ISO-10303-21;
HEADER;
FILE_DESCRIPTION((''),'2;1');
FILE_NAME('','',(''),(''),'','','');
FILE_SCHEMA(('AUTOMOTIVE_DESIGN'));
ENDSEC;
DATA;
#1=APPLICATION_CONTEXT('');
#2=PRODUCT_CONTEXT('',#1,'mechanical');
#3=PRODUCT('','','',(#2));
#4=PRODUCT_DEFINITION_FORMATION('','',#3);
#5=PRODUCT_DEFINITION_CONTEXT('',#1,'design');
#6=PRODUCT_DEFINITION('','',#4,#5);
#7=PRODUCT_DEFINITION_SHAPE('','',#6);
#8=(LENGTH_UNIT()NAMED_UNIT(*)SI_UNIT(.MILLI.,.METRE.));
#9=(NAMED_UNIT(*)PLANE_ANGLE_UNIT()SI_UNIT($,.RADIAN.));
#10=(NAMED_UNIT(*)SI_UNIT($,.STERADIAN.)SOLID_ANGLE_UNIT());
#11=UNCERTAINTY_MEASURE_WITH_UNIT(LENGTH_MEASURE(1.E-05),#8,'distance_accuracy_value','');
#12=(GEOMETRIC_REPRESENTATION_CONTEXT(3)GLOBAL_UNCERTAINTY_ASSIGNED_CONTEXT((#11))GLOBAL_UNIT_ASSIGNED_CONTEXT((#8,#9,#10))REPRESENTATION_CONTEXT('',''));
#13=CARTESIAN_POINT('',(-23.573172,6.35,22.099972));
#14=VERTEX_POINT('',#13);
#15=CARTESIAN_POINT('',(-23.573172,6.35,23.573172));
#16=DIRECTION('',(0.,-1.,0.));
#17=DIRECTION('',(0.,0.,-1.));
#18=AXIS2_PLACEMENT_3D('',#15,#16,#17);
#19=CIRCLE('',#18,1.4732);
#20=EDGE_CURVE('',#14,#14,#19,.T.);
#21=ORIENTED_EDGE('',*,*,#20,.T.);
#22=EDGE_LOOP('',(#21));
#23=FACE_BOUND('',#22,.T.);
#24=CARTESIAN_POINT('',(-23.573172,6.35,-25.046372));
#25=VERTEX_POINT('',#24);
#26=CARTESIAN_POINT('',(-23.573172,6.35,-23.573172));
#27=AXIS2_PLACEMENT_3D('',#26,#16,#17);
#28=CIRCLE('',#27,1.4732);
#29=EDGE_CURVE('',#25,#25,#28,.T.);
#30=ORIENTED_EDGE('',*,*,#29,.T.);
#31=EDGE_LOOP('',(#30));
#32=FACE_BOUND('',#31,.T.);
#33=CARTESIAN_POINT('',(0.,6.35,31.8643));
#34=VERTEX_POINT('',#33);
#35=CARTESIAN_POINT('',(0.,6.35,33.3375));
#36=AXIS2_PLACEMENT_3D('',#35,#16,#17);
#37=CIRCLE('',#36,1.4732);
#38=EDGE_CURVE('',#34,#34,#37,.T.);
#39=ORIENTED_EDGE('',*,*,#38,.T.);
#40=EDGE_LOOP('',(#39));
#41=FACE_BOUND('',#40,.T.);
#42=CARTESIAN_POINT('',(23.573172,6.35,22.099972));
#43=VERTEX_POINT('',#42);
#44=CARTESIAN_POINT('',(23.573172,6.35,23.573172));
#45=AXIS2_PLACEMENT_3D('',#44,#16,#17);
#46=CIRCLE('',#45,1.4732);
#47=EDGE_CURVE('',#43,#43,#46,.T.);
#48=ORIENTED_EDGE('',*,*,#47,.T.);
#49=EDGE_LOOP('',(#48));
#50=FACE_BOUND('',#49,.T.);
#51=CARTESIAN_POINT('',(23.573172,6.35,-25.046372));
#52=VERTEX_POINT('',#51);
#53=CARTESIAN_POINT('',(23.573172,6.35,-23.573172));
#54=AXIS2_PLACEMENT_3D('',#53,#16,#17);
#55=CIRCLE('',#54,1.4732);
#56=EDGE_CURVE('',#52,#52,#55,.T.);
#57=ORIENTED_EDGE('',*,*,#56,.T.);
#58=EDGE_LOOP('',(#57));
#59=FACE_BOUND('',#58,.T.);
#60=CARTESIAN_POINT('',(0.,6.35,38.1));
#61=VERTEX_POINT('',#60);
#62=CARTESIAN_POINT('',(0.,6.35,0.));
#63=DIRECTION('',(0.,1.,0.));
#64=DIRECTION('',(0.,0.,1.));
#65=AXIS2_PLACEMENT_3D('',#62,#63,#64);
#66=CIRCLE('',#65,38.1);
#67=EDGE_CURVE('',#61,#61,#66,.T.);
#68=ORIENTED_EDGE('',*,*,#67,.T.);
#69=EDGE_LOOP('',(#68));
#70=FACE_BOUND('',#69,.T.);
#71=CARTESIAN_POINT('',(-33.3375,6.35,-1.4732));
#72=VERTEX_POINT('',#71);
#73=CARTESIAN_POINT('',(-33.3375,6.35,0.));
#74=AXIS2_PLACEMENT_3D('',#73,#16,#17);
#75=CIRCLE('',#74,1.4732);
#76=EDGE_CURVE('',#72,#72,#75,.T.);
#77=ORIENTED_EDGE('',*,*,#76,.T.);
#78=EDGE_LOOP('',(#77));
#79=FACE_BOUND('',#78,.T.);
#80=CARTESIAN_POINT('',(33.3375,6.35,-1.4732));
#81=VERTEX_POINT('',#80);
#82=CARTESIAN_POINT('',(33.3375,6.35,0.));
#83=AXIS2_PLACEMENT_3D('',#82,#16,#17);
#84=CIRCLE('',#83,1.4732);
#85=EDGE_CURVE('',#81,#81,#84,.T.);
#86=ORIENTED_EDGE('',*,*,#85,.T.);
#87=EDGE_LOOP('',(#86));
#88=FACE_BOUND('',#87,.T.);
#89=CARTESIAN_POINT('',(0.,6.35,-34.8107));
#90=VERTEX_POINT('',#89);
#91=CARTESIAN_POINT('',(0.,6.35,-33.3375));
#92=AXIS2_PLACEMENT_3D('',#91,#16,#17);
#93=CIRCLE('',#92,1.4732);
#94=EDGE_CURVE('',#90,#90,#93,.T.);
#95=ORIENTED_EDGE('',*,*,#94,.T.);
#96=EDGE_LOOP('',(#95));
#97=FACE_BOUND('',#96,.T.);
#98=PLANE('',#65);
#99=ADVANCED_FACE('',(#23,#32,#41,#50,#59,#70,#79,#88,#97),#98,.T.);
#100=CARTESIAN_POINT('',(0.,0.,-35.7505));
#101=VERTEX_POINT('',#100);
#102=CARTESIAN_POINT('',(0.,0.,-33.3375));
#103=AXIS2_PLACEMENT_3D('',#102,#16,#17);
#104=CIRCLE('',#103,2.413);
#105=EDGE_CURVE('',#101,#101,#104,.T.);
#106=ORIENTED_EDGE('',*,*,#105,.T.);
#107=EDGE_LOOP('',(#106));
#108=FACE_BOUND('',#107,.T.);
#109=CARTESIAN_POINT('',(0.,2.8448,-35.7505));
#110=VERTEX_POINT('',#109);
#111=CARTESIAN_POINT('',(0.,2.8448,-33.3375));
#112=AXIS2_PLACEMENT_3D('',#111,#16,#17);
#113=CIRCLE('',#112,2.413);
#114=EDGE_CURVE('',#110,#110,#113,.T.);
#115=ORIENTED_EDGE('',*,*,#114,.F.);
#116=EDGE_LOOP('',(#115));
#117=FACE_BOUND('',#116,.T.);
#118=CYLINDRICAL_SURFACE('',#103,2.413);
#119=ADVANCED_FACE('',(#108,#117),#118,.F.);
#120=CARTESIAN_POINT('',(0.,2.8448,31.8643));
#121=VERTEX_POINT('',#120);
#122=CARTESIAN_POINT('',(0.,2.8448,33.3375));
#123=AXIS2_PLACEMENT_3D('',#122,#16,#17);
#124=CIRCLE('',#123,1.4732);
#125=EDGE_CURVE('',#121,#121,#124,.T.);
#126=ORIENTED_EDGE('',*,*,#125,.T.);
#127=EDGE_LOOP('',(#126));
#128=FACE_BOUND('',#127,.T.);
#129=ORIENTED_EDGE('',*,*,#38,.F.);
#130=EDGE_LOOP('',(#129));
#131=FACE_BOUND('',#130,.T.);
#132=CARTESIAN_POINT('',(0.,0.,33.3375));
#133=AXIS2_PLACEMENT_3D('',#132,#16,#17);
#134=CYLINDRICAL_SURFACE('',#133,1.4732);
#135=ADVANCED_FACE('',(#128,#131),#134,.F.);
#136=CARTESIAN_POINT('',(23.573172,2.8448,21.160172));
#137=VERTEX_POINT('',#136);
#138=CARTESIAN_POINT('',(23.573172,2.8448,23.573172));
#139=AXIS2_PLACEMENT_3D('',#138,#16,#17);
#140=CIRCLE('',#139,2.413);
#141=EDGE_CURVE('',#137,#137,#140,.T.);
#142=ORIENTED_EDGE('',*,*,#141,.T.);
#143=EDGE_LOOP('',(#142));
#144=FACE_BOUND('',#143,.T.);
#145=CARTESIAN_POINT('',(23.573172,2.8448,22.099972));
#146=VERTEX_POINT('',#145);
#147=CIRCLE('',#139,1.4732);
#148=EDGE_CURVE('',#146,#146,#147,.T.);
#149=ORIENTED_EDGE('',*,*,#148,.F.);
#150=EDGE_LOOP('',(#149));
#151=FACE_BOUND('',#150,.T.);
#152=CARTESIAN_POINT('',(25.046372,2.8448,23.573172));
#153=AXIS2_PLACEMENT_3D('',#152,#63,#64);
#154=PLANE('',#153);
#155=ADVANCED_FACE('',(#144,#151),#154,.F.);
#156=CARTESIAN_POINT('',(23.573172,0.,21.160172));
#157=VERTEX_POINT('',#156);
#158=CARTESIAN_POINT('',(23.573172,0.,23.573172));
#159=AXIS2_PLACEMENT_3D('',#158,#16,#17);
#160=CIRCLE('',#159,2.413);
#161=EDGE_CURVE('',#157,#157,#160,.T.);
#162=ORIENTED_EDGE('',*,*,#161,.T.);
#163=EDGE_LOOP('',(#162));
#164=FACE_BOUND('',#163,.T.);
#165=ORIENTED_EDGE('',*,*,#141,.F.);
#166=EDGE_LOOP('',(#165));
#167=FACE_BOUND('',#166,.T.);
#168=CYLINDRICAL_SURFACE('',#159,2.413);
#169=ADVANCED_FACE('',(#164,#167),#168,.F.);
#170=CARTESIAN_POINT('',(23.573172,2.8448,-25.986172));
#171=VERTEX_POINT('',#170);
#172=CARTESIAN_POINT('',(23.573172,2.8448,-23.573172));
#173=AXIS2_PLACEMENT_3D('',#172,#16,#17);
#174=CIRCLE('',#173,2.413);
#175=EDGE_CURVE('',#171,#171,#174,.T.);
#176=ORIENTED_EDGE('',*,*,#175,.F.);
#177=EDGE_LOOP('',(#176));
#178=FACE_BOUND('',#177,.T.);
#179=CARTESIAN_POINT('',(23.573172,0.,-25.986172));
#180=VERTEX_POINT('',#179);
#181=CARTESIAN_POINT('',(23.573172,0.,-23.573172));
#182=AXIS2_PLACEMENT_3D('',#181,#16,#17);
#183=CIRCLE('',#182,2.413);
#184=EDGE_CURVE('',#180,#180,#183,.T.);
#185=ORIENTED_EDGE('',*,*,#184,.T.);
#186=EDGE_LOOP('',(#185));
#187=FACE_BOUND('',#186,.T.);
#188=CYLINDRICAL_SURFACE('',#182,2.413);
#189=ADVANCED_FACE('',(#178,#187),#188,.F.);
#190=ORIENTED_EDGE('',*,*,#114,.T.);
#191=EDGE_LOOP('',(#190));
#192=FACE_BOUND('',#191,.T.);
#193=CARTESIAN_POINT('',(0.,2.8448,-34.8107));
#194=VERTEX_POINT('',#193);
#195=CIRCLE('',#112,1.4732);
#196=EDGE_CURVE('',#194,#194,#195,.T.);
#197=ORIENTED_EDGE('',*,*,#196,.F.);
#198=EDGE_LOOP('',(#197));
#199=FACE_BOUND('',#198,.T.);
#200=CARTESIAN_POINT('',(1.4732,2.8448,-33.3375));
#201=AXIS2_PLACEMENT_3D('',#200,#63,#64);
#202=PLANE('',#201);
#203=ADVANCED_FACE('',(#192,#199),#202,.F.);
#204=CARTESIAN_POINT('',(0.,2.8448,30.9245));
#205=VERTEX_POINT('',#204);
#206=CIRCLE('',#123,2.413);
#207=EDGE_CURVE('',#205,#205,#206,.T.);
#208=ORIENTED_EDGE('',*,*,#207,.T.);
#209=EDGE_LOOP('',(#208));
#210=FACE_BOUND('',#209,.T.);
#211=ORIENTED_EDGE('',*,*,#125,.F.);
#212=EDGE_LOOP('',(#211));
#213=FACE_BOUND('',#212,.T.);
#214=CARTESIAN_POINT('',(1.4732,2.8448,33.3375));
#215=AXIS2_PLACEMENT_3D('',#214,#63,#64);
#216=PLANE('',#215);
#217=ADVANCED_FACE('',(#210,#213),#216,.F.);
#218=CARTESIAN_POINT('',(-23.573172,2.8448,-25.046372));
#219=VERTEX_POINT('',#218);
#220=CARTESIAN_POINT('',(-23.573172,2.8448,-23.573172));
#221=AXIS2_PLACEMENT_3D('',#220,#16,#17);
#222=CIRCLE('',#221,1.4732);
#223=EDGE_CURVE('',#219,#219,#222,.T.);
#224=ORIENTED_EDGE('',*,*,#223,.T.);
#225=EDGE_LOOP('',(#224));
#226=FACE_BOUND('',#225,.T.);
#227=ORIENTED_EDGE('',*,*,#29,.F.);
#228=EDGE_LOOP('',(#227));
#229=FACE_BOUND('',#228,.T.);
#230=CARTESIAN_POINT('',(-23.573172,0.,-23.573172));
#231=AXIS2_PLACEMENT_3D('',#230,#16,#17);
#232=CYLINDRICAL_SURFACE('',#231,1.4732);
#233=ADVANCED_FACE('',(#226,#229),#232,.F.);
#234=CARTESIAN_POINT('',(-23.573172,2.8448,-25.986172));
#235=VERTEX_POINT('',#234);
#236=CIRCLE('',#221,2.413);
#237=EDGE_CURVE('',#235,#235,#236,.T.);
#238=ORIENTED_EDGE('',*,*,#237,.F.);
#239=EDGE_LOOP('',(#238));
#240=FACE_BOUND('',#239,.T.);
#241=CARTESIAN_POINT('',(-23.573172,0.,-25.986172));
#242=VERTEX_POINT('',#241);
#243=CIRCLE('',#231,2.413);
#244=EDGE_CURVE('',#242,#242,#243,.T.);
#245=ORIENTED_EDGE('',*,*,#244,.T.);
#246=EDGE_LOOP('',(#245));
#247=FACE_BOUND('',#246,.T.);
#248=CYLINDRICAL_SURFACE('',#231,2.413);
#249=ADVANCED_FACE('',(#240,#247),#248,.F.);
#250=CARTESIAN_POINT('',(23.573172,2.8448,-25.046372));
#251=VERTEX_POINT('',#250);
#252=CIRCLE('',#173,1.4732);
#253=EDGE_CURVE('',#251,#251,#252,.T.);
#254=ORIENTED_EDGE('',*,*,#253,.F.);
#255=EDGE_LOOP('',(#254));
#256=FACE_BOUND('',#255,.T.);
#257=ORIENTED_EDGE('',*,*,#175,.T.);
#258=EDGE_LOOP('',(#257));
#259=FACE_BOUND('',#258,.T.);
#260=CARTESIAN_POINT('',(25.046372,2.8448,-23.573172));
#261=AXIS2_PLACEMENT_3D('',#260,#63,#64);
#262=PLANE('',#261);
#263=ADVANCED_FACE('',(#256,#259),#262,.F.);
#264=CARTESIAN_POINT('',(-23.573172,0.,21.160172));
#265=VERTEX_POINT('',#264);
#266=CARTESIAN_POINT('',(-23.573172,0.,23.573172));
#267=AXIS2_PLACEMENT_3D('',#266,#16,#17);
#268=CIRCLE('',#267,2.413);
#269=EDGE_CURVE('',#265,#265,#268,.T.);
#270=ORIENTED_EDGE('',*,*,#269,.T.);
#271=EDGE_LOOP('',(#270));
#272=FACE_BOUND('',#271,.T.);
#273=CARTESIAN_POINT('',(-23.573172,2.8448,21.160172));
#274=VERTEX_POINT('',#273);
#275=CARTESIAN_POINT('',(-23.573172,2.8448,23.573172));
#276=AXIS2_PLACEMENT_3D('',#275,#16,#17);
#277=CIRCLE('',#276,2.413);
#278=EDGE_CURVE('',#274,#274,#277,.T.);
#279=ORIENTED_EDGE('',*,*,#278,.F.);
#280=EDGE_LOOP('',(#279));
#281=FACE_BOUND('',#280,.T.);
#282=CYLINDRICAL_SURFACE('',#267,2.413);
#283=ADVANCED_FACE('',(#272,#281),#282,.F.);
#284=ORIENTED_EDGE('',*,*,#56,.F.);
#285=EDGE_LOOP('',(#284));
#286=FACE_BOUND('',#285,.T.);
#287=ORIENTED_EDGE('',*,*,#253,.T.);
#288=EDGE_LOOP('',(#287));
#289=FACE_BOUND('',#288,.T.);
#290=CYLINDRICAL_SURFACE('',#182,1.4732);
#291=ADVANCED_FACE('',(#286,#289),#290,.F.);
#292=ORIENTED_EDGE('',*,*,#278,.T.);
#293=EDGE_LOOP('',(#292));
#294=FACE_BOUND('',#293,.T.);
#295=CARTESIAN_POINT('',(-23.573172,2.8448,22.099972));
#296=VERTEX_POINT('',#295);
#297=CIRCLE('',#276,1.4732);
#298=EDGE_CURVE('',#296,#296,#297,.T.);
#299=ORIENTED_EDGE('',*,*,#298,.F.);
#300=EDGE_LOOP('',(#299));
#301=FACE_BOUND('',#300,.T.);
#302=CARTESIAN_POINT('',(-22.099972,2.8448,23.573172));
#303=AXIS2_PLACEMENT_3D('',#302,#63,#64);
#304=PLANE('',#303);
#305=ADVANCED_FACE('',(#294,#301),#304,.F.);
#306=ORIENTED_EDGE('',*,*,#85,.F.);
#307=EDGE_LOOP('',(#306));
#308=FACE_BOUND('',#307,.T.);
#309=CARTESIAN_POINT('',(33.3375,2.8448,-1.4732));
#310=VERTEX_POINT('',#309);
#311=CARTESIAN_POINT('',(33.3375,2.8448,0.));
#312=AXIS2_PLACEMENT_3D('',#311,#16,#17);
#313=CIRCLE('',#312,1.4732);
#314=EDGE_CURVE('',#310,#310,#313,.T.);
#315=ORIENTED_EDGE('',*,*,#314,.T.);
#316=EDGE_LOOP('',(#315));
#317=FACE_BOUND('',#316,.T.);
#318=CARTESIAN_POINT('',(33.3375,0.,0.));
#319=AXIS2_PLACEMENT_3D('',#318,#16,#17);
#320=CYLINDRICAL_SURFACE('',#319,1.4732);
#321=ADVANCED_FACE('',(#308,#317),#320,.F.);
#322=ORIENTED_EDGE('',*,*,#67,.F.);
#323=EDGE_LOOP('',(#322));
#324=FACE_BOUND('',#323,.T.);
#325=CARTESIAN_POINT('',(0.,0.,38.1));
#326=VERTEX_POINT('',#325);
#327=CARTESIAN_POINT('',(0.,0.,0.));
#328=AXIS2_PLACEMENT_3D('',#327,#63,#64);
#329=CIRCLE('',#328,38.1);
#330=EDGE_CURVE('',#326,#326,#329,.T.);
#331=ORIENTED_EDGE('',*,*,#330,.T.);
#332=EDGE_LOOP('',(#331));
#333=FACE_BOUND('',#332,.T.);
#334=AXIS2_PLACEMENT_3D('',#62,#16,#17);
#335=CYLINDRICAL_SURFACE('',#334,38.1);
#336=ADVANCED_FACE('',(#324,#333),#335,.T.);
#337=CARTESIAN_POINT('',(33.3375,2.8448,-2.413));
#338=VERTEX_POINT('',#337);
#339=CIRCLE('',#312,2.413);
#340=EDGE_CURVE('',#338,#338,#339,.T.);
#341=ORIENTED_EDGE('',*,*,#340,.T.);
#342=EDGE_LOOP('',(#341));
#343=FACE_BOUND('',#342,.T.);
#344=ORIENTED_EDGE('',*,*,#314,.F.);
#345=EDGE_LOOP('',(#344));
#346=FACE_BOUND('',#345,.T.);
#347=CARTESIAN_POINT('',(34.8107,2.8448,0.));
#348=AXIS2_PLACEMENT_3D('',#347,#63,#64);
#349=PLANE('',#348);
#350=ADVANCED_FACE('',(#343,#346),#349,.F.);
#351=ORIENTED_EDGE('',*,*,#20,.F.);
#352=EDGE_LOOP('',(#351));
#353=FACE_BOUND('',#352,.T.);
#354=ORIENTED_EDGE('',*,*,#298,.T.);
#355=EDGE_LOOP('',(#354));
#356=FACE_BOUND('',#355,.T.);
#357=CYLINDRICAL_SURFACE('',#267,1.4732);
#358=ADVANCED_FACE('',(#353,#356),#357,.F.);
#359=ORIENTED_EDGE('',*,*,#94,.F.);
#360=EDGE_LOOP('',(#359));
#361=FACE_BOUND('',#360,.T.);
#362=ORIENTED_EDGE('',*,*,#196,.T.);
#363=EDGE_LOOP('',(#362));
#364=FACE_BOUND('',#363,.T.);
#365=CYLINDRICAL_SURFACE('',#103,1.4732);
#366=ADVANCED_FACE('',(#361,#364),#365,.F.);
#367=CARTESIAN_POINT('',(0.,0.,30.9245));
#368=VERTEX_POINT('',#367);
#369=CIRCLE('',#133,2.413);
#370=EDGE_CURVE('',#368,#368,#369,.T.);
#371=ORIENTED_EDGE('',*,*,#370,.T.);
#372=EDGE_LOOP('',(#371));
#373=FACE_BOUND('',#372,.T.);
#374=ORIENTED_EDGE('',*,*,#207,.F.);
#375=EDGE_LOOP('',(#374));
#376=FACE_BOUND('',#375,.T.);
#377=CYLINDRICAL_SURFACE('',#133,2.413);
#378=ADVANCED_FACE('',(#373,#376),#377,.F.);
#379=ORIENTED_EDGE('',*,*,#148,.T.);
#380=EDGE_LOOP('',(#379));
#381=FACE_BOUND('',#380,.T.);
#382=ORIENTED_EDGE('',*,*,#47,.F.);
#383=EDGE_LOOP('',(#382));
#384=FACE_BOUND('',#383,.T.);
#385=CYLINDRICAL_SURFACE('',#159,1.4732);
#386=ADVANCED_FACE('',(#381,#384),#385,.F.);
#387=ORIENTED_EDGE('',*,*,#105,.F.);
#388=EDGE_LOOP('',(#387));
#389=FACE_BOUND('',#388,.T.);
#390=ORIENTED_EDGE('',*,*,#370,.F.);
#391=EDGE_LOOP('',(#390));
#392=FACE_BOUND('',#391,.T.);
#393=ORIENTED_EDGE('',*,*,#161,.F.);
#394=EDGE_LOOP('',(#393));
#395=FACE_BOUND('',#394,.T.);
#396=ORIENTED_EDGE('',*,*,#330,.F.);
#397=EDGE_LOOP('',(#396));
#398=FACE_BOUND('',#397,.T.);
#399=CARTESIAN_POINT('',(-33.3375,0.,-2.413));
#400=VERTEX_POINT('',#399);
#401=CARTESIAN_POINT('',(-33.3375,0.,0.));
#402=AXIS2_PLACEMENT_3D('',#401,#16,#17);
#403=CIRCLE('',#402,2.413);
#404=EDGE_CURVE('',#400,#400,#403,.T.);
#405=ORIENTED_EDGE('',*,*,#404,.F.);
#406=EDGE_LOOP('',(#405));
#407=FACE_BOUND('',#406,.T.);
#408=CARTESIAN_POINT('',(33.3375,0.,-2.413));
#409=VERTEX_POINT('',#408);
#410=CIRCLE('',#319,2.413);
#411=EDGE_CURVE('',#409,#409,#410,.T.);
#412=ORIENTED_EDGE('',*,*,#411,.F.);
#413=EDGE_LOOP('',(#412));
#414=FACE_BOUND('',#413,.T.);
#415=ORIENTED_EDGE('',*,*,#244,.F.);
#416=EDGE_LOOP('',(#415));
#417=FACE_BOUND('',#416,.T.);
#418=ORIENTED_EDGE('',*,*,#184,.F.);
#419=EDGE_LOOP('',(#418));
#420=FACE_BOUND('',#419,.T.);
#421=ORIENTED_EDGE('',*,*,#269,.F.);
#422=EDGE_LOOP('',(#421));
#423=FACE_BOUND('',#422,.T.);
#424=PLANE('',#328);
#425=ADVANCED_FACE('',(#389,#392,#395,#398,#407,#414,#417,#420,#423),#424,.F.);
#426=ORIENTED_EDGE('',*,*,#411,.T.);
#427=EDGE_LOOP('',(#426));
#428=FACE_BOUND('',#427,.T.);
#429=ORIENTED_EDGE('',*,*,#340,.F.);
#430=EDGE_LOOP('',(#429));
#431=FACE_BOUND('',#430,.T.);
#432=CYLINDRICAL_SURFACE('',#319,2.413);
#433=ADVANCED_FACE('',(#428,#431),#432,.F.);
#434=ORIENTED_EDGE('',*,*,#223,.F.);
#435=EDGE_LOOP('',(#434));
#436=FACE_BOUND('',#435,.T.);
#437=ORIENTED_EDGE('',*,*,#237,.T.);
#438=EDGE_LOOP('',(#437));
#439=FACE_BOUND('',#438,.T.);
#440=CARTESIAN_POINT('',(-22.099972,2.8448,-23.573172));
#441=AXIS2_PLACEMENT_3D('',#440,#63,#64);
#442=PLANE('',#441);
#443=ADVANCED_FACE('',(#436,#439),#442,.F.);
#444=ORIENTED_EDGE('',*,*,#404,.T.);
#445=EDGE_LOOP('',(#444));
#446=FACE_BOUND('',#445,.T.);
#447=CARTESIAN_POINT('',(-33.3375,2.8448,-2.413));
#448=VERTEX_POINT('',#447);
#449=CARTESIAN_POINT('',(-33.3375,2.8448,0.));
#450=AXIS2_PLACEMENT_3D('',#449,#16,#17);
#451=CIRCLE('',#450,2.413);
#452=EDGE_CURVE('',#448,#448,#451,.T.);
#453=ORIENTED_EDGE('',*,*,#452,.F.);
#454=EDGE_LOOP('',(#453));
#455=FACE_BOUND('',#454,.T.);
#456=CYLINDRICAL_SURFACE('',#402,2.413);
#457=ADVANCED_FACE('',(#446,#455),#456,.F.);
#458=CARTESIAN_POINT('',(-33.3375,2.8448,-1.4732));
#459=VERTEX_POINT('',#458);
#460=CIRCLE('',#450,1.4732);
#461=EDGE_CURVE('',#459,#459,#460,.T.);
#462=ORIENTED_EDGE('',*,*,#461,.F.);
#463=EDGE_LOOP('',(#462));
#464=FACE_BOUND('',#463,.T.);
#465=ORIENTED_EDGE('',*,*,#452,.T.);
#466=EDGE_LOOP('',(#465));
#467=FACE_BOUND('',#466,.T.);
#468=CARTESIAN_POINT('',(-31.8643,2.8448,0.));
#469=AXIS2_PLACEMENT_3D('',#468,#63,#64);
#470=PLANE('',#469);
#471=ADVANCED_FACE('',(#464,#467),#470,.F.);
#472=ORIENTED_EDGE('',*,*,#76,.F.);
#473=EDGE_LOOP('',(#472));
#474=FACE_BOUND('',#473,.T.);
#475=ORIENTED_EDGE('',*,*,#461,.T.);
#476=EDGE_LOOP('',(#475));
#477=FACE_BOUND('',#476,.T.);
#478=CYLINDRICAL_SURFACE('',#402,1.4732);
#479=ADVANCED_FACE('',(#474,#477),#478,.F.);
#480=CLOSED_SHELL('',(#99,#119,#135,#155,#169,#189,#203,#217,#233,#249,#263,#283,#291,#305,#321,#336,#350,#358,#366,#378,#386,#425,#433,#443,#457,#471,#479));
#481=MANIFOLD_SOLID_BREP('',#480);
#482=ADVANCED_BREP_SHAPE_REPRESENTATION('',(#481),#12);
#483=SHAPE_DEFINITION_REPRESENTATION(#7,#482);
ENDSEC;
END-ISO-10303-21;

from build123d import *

# Parameters (mm, degrees)
SKETCH1_R                                      = 38.1
BOSS_EXTRUDE1_DEPTH                            = 6.35
CBORE_FOR_4_BUTTON_HEAD_CAP_SCREW1_D           = 2.9464
CBORE_FOR_4_BUTTON_HEAD_CAP_SCREW1_CBORE_D     = 4.826
CBORE_FOR_4_BUTTON_HEAD_CAP_SCREW1_CBORE_DEPTH = 2.8448
CIRPATTERN1_COUNT                              = 8


with BuildPart() as part:
    # Sketch1 → Boss-Extrude1 (new body)
    with BuildSketch(Plane(origin=(0, 0, 0), x_dir=(1, 0, 0), z_dir=(0, 1, 0))):
        Circle(SKETCH1_R)
    extrude(amount=BOSS_EXTRUDE1_DEPTH)

    # CBORE for #4 Button Head Cap Screw1 (through all)
    with Locations(Plane(origin=(0, 0, 0), x_dir=(-1, 0, 0), z_dir=(0, -1, 0))):
        with Locations((0, -33.3375)):
            cbore_for_4_button_head_cap_screw1 = CounterBoreHole(CBORE_FOR_4_BUTTON_HEAD_CAP_SCREW1_D / 2, CBORE_FOR_4_BUTTON_HEAD_CAP_SCREW1_CBORE_D / 2, CBORE_FOR_4_BUTTON_HEAD_CAP_SCREW1_CBORE_DEPTH)

    # CirPattern1: CBORE for #4 Button Head Cap Screw1 ×8 about axis
    cirpattern1_axis = Axis((0, 0, 0), (0, 1, 0))
    for i in range(1, CIRPATTERN1_COUNT):
        add(cbore_for_4_button_head_cap_screw1.rotate(cirpattern1_axis, i * 360 / CIRPATTERN1_COUNT), mode=Mode.SUBTRACT)


solid = part.part
